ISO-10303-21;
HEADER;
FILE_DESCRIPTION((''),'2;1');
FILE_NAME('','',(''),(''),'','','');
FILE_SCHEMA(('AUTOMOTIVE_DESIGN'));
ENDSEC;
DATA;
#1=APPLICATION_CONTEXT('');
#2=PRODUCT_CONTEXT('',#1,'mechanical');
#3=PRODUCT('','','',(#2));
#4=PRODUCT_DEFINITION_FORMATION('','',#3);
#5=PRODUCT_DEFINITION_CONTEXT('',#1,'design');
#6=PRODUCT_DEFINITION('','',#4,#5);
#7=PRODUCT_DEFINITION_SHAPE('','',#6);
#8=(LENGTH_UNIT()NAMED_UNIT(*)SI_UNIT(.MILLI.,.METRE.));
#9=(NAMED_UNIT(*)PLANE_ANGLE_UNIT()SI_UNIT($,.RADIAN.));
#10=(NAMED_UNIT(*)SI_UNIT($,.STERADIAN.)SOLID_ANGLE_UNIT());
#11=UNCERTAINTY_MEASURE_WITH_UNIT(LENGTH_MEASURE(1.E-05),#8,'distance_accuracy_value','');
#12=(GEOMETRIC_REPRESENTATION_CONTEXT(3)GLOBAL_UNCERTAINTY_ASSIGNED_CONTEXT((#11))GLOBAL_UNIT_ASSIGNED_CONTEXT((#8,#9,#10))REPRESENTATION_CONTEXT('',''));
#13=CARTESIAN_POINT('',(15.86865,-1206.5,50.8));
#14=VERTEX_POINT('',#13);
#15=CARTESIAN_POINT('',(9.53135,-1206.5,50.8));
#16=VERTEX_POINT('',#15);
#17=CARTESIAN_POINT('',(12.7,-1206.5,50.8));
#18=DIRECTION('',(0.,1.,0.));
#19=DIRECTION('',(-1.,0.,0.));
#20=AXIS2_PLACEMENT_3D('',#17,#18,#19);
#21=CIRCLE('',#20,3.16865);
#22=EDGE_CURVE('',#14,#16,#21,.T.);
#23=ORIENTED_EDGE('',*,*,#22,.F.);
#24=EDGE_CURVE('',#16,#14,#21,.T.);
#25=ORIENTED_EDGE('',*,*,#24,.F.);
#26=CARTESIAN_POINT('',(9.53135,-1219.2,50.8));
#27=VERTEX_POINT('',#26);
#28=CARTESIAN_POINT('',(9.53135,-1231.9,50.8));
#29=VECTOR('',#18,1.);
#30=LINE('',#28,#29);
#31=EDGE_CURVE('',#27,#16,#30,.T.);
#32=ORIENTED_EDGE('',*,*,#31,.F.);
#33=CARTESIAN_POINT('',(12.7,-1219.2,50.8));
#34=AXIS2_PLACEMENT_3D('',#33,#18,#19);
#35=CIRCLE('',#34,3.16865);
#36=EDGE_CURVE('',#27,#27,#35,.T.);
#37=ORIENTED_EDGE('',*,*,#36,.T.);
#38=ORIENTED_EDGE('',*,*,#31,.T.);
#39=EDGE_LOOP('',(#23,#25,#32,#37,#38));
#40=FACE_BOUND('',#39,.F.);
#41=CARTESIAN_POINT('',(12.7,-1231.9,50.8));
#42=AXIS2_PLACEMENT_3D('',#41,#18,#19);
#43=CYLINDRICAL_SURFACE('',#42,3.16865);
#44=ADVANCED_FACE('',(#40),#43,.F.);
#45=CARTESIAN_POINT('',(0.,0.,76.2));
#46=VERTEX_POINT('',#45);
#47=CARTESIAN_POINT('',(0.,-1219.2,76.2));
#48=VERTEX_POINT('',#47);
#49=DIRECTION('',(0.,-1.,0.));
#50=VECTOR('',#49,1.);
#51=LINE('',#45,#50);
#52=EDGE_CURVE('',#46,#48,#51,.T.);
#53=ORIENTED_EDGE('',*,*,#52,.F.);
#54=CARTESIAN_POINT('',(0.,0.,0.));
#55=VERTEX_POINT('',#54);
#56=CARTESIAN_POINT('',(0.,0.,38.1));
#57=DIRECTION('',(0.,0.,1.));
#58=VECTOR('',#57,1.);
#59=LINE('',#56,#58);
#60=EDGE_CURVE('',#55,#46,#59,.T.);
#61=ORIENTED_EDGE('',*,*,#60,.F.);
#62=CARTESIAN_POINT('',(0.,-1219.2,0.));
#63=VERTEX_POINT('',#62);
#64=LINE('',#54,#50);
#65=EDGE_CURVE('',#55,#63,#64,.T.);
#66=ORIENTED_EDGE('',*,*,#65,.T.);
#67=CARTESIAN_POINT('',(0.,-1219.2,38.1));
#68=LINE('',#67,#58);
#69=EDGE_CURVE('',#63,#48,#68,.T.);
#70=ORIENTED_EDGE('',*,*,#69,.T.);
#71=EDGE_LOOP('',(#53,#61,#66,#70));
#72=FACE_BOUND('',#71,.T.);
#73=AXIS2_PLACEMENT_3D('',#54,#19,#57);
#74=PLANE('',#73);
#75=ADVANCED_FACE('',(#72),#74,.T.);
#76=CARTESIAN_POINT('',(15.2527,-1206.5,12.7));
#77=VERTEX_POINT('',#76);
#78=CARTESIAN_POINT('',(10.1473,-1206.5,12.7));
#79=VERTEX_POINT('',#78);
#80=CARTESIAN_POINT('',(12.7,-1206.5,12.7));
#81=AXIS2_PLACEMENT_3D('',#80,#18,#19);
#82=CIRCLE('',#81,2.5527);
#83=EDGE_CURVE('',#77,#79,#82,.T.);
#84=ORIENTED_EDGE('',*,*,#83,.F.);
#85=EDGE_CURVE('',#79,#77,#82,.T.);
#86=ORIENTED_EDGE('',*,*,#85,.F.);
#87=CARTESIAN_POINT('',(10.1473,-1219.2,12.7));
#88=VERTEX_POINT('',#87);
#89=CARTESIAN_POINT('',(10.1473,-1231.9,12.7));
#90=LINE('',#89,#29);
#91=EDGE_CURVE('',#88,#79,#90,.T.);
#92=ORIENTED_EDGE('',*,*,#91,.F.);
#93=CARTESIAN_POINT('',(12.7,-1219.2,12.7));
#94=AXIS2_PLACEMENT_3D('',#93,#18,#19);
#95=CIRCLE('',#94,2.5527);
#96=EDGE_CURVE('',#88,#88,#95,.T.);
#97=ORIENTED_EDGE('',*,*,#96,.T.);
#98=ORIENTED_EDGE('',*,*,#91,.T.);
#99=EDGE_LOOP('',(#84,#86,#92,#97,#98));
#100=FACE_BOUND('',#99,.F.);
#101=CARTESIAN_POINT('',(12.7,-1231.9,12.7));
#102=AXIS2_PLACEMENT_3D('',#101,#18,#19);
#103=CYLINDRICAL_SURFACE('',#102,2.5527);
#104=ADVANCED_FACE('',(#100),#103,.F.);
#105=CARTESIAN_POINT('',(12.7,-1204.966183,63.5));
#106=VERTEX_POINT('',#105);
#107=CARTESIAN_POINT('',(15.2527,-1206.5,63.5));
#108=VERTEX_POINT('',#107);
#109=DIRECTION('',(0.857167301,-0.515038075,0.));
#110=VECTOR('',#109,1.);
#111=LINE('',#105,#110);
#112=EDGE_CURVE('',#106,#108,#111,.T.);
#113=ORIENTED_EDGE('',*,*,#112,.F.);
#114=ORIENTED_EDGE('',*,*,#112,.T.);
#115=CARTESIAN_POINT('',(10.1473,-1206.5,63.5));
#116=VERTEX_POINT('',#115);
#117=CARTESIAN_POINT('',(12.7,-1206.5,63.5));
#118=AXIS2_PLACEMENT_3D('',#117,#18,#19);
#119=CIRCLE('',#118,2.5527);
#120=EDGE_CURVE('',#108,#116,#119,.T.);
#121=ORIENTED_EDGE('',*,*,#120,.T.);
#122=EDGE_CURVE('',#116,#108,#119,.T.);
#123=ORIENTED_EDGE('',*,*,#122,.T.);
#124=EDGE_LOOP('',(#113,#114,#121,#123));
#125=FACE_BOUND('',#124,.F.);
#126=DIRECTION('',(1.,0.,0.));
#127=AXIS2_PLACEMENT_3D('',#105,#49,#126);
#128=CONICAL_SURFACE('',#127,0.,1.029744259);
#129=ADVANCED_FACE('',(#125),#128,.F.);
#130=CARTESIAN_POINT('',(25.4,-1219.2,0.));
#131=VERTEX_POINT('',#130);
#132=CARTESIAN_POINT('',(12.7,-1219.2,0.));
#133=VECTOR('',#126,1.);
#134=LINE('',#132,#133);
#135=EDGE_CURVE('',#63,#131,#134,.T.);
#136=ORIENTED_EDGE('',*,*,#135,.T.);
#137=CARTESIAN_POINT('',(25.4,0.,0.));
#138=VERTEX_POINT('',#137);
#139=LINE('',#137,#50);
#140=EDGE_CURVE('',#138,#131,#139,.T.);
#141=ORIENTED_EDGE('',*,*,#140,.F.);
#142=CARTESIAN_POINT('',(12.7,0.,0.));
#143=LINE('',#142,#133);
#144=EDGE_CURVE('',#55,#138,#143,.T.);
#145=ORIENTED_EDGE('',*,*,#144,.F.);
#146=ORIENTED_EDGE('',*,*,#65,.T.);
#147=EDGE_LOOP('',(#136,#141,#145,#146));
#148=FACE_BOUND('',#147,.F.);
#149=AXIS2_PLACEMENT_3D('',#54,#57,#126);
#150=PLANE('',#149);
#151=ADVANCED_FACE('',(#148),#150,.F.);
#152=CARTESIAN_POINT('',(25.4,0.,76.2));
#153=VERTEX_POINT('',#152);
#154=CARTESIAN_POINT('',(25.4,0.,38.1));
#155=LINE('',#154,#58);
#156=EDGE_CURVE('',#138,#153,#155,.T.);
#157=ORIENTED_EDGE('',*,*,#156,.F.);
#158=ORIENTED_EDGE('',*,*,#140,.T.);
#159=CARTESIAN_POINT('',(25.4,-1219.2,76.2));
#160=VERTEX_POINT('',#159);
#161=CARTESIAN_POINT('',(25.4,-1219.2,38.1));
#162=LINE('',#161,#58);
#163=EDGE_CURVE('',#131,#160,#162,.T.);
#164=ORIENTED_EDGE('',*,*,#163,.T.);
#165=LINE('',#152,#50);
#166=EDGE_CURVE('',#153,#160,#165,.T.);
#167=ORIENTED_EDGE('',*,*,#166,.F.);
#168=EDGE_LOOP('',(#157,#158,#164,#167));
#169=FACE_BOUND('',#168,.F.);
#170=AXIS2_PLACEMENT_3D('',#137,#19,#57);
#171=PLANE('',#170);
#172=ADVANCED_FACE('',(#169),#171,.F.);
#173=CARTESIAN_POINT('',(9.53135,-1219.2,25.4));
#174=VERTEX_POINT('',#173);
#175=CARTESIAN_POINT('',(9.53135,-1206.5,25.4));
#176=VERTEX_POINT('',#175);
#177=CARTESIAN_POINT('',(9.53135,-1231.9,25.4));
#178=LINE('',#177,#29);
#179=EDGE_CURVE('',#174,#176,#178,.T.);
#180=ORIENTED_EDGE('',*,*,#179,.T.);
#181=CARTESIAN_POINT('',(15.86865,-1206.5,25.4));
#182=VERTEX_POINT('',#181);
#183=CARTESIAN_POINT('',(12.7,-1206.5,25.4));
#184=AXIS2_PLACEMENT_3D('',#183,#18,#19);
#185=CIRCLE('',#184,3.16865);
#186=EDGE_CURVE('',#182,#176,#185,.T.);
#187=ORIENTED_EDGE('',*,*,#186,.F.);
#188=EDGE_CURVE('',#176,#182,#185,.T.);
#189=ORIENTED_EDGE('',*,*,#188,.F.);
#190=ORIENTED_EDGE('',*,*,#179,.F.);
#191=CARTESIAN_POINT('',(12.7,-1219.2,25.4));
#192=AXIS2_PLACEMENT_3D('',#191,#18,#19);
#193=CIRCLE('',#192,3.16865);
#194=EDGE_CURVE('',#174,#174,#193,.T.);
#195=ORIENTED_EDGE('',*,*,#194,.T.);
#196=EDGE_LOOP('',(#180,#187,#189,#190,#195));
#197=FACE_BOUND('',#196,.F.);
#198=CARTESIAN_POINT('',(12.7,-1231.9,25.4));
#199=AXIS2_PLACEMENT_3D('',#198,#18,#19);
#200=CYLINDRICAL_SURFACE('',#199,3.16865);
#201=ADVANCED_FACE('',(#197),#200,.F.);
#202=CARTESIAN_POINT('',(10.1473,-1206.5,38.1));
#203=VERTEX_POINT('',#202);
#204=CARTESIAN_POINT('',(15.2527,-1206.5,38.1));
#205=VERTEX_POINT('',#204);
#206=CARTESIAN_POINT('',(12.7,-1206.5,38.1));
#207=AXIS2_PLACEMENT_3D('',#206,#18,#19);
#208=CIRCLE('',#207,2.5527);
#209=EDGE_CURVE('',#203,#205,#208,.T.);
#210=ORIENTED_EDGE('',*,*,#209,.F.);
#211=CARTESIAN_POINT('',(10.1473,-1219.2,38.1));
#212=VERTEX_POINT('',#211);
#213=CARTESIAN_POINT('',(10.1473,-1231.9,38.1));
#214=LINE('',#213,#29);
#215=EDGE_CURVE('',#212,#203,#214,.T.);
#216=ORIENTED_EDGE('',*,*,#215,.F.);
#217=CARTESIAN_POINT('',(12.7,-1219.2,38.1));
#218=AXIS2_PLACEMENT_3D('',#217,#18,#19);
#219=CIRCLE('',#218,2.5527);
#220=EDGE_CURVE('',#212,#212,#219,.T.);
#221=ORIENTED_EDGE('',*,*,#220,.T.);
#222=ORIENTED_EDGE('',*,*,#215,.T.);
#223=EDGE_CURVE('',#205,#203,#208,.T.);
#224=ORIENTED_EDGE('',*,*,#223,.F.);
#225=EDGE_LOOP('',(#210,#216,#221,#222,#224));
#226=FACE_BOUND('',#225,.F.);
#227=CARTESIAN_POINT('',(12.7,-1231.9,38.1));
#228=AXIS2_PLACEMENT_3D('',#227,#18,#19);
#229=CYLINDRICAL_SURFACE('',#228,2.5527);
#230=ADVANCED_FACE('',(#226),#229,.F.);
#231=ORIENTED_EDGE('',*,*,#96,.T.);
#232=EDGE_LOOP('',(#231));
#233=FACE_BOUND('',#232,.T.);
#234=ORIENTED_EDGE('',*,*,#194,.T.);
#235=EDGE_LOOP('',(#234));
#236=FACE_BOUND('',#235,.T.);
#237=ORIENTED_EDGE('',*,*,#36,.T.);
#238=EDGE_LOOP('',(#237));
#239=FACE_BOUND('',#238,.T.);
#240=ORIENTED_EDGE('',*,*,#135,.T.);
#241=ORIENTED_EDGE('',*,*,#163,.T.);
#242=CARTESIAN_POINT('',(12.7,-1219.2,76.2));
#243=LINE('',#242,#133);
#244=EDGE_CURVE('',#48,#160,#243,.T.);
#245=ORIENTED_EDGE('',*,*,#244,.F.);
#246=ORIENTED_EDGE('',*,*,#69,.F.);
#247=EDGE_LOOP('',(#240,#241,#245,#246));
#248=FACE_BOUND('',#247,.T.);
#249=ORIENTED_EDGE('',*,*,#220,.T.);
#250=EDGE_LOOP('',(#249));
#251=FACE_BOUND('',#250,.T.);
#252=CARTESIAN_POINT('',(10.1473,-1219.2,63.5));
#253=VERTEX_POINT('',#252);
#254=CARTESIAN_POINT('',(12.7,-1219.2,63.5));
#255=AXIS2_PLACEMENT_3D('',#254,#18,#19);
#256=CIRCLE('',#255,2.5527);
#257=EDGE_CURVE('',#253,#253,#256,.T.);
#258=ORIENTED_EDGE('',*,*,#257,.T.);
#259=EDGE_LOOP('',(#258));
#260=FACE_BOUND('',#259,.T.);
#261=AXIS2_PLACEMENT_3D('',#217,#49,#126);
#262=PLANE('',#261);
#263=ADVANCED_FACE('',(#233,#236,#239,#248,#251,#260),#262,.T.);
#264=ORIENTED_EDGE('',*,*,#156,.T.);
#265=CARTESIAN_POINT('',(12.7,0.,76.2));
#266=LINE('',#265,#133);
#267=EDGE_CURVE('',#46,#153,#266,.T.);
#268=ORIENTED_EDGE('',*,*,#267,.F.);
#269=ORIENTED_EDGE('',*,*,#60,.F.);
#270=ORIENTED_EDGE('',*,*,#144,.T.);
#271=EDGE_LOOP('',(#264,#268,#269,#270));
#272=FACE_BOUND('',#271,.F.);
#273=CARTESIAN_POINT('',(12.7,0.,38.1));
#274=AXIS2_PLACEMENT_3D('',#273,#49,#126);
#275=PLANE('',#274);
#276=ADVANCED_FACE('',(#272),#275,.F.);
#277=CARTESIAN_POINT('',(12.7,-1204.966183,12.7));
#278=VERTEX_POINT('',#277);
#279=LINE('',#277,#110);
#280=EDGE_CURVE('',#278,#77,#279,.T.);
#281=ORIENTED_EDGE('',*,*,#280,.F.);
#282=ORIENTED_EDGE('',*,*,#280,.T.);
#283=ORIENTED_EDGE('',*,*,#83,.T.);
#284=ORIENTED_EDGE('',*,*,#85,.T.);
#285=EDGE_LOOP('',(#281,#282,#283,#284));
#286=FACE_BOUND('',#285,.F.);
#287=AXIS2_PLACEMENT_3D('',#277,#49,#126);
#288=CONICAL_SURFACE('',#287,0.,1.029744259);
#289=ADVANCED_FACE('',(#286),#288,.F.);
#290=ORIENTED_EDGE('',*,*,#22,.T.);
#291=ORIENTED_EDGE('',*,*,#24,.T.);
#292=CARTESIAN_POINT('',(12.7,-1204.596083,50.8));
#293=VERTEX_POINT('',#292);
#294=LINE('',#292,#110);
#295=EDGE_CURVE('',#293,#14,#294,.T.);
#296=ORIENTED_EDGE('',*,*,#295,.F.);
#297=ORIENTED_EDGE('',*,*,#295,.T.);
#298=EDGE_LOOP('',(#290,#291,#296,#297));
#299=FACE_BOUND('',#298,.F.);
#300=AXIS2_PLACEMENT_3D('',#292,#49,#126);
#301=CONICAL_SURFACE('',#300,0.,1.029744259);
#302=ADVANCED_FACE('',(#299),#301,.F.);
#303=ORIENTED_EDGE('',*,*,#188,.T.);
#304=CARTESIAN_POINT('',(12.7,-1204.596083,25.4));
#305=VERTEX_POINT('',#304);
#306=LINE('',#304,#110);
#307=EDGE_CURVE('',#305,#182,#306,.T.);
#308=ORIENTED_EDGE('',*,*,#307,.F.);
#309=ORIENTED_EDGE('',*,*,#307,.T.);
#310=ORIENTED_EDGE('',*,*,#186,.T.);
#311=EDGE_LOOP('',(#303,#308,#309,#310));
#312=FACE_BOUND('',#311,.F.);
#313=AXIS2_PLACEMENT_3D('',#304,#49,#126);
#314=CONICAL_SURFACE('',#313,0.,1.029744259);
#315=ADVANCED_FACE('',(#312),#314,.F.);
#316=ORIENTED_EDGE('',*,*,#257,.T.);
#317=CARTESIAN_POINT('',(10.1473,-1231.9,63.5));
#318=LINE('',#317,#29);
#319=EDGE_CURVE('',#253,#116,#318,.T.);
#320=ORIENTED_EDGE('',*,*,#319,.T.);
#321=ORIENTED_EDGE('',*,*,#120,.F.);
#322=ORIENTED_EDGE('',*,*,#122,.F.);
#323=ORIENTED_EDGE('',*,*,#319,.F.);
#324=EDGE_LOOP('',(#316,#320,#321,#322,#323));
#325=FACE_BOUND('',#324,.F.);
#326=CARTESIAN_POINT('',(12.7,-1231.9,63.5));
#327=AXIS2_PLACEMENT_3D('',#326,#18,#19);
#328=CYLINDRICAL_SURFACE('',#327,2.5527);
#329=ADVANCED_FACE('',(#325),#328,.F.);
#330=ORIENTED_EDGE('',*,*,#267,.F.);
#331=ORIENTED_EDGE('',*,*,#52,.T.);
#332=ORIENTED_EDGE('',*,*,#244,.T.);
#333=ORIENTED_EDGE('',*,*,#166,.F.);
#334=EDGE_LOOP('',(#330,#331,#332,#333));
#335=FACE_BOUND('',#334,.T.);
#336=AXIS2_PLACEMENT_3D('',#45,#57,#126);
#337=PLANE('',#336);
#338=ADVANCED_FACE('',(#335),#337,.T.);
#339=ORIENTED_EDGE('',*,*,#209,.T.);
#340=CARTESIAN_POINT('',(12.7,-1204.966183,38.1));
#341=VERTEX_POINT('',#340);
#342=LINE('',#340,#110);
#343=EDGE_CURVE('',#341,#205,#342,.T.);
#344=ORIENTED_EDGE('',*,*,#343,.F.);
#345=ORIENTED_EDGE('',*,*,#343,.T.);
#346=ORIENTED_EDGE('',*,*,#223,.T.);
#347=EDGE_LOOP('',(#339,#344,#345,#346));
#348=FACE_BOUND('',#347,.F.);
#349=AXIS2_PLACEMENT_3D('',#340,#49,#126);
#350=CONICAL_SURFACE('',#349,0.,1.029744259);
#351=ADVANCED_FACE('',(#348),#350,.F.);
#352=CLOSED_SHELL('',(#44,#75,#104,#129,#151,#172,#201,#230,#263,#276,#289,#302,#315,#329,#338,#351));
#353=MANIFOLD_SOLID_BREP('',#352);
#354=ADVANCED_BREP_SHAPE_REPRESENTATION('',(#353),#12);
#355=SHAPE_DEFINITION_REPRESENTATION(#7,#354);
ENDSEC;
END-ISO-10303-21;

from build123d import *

# Parameters (mm, degrees)
F0_W     = 25.4
F0_H     = 76.2
F1_DEPTH = 1219.2
F3_D     = 5.1054
F3_DEPTH = 12.7
F3_TIP   = 1.5338169022
F4_D     = 6.3373
F4_DEPTH = 12.7
F4_TIP   = 1.9039170005


with BuildPart() as f1:
    # F0 (on Front) → F1 (new body)
    with BuildSketch(Plane.XZ):
        with Locations((12.7, 38.1)):
            Rectangle(F0_W, F0_H)
    extrude(amount=F1_DEPTH)

    # F3
    with Locations(Plane.XZ.offset(1219.2)):
        with Locations((12.7, 63.5), (12.7, 38.1), (12.7, 12.7)):
            Hole(F3_D / 2, depth=F3_DEPTH)
            with Locations((0, 0, -(F3_DEPTH + F3_TIP / 2))):  # 118° drill point
                Cone(0, F3_D / 2, F3_TIP, mode=Mode.SUBTRACT)

    # F4
    with Locations(Plane.XZ.offset(1219.2)):
        with Locations((12.7, 50.8), (12.7, 25.4)):
            Hole(F4_D / 2, depth=F4_DEPTH)
            with Locations((0, 0, -(F4_DEPTH + F4_TIP / 2))):  # 118° drill point
                Cone(0, F4_D / 2, F4_TIP, mode=Mode.SUBTRACT)


solid = f1.part
